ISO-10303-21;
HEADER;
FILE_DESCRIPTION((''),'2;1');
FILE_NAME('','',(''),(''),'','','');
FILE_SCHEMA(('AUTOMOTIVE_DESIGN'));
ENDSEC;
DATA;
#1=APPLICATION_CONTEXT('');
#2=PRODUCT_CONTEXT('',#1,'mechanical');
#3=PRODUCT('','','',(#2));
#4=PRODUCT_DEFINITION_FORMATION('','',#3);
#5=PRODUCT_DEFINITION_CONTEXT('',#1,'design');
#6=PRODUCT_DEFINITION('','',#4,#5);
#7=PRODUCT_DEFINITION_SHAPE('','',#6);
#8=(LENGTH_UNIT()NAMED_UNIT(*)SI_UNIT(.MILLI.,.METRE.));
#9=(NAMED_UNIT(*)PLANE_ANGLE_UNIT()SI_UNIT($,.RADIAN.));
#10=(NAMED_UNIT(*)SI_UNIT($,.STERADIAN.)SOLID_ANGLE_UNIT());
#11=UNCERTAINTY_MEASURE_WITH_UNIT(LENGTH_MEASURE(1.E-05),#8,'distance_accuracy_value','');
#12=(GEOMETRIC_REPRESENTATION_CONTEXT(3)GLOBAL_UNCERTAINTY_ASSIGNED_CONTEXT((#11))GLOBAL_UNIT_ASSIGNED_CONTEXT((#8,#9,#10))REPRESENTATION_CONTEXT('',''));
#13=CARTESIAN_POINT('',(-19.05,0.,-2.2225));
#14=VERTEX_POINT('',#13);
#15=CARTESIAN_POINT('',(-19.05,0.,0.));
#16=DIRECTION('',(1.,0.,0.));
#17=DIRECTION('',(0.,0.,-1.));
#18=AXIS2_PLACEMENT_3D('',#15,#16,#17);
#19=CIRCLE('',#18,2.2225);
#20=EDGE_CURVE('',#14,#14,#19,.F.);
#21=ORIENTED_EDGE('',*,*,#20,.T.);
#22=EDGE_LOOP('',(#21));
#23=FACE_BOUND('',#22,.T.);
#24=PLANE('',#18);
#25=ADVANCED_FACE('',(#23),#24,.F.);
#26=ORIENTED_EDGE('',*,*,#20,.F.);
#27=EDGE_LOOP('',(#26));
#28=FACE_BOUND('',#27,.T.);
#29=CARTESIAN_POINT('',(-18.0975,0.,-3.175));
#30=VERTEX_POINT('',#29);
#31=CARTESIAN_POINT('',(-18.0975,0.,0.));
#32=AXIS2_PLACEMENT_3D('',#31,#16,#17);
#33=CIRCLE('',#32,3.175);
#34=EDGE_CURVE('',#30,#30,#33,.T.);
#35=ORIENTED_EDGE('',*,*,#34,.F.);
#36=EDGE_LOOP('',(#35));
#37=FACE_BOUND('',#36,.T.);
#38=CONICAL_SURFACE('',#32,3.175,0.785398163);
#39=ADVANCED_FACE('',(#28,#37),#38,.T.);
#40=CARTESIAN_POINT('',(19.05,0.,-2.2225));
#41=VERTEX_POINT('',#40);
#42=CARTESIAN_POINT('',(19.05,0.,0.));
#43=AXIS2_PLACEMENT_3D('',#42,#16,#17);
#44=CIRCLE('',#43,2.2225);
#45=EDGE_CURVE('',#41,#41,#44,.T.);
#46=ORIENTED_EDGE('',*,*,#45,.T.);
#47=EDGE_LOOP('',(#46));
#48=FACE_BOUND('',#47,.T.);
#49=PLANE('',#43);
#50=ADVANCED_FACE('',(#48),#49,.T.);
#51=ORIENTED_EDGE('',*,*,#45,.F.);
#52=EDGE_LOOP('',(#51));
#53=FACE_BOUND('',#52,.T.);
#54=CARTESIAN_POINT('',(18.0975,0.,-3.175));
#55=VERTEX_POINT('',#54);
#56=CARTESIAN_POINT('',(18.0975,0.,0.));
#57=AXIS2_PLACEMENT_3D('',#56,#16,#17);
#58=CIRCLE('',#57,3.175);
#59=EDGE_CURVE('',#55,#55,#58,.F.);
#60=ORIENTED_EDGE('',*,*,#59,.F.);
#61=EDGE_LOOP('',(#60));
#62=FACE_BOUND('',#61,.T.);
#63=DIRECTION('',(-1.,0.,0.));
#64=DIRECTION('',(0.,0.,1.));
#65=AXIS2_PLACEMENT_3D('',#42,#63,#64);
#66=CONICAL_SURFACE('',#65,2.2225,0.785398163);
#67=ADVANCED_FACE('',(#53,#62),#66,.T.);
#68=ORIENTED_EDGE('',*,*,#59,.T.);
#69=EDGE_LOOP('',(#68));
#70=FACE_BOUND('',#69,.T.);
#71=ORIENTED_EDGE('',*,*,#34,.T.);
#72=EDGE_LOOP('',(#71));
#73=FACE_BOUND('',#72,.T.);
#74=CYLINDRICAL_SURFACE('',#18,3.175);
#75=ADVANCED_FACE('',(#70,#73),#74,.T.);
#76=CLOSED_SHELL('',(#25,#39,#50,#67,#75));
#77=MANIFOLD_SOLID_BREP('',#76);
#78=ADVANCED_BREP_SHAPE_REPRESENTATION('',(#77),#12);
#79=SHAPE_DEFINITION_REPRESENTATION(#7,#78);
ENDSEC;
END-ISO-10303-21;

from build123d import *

# Parameters (mm, degrees)
SKETCH2_R                = 3.175
BOSS_EXTRUDE1_DEPTH      = 19.05
BOSS_EXTRUDE1_DEPTH_BACK = 19.05
CHAMFER1_SIZE            = 0.9525


with BuildPart() as part:
    # Sketch2 → Boss-Extrude1 (new body, two sides)
    with BuildSketch(Plane(origin=(0, 0, 0), x_dir=(0, 0, -1), z_dir=(1, 0, 0))) as boss_extrude1_sk:
        Circle(SKETCH2_R)
    extrude(amount=BOSS_EXTRUDE1_DEPTH)
    extrude(boss_extrude1_sk.sketch, amount=-BOSS_EXTRUDE1_DEPTH_BACK)

    # Chamfer1
    chamfer1_edges = [part.edges().sort_by_distance(p)[0] for p in [
        (-19.05, 0, 3.175),
        (19.05, 0, 3.175),
    ]]
    chamfer(chamfer1_edges, length=CHAMFER1_SIZE)


solid = part.part
